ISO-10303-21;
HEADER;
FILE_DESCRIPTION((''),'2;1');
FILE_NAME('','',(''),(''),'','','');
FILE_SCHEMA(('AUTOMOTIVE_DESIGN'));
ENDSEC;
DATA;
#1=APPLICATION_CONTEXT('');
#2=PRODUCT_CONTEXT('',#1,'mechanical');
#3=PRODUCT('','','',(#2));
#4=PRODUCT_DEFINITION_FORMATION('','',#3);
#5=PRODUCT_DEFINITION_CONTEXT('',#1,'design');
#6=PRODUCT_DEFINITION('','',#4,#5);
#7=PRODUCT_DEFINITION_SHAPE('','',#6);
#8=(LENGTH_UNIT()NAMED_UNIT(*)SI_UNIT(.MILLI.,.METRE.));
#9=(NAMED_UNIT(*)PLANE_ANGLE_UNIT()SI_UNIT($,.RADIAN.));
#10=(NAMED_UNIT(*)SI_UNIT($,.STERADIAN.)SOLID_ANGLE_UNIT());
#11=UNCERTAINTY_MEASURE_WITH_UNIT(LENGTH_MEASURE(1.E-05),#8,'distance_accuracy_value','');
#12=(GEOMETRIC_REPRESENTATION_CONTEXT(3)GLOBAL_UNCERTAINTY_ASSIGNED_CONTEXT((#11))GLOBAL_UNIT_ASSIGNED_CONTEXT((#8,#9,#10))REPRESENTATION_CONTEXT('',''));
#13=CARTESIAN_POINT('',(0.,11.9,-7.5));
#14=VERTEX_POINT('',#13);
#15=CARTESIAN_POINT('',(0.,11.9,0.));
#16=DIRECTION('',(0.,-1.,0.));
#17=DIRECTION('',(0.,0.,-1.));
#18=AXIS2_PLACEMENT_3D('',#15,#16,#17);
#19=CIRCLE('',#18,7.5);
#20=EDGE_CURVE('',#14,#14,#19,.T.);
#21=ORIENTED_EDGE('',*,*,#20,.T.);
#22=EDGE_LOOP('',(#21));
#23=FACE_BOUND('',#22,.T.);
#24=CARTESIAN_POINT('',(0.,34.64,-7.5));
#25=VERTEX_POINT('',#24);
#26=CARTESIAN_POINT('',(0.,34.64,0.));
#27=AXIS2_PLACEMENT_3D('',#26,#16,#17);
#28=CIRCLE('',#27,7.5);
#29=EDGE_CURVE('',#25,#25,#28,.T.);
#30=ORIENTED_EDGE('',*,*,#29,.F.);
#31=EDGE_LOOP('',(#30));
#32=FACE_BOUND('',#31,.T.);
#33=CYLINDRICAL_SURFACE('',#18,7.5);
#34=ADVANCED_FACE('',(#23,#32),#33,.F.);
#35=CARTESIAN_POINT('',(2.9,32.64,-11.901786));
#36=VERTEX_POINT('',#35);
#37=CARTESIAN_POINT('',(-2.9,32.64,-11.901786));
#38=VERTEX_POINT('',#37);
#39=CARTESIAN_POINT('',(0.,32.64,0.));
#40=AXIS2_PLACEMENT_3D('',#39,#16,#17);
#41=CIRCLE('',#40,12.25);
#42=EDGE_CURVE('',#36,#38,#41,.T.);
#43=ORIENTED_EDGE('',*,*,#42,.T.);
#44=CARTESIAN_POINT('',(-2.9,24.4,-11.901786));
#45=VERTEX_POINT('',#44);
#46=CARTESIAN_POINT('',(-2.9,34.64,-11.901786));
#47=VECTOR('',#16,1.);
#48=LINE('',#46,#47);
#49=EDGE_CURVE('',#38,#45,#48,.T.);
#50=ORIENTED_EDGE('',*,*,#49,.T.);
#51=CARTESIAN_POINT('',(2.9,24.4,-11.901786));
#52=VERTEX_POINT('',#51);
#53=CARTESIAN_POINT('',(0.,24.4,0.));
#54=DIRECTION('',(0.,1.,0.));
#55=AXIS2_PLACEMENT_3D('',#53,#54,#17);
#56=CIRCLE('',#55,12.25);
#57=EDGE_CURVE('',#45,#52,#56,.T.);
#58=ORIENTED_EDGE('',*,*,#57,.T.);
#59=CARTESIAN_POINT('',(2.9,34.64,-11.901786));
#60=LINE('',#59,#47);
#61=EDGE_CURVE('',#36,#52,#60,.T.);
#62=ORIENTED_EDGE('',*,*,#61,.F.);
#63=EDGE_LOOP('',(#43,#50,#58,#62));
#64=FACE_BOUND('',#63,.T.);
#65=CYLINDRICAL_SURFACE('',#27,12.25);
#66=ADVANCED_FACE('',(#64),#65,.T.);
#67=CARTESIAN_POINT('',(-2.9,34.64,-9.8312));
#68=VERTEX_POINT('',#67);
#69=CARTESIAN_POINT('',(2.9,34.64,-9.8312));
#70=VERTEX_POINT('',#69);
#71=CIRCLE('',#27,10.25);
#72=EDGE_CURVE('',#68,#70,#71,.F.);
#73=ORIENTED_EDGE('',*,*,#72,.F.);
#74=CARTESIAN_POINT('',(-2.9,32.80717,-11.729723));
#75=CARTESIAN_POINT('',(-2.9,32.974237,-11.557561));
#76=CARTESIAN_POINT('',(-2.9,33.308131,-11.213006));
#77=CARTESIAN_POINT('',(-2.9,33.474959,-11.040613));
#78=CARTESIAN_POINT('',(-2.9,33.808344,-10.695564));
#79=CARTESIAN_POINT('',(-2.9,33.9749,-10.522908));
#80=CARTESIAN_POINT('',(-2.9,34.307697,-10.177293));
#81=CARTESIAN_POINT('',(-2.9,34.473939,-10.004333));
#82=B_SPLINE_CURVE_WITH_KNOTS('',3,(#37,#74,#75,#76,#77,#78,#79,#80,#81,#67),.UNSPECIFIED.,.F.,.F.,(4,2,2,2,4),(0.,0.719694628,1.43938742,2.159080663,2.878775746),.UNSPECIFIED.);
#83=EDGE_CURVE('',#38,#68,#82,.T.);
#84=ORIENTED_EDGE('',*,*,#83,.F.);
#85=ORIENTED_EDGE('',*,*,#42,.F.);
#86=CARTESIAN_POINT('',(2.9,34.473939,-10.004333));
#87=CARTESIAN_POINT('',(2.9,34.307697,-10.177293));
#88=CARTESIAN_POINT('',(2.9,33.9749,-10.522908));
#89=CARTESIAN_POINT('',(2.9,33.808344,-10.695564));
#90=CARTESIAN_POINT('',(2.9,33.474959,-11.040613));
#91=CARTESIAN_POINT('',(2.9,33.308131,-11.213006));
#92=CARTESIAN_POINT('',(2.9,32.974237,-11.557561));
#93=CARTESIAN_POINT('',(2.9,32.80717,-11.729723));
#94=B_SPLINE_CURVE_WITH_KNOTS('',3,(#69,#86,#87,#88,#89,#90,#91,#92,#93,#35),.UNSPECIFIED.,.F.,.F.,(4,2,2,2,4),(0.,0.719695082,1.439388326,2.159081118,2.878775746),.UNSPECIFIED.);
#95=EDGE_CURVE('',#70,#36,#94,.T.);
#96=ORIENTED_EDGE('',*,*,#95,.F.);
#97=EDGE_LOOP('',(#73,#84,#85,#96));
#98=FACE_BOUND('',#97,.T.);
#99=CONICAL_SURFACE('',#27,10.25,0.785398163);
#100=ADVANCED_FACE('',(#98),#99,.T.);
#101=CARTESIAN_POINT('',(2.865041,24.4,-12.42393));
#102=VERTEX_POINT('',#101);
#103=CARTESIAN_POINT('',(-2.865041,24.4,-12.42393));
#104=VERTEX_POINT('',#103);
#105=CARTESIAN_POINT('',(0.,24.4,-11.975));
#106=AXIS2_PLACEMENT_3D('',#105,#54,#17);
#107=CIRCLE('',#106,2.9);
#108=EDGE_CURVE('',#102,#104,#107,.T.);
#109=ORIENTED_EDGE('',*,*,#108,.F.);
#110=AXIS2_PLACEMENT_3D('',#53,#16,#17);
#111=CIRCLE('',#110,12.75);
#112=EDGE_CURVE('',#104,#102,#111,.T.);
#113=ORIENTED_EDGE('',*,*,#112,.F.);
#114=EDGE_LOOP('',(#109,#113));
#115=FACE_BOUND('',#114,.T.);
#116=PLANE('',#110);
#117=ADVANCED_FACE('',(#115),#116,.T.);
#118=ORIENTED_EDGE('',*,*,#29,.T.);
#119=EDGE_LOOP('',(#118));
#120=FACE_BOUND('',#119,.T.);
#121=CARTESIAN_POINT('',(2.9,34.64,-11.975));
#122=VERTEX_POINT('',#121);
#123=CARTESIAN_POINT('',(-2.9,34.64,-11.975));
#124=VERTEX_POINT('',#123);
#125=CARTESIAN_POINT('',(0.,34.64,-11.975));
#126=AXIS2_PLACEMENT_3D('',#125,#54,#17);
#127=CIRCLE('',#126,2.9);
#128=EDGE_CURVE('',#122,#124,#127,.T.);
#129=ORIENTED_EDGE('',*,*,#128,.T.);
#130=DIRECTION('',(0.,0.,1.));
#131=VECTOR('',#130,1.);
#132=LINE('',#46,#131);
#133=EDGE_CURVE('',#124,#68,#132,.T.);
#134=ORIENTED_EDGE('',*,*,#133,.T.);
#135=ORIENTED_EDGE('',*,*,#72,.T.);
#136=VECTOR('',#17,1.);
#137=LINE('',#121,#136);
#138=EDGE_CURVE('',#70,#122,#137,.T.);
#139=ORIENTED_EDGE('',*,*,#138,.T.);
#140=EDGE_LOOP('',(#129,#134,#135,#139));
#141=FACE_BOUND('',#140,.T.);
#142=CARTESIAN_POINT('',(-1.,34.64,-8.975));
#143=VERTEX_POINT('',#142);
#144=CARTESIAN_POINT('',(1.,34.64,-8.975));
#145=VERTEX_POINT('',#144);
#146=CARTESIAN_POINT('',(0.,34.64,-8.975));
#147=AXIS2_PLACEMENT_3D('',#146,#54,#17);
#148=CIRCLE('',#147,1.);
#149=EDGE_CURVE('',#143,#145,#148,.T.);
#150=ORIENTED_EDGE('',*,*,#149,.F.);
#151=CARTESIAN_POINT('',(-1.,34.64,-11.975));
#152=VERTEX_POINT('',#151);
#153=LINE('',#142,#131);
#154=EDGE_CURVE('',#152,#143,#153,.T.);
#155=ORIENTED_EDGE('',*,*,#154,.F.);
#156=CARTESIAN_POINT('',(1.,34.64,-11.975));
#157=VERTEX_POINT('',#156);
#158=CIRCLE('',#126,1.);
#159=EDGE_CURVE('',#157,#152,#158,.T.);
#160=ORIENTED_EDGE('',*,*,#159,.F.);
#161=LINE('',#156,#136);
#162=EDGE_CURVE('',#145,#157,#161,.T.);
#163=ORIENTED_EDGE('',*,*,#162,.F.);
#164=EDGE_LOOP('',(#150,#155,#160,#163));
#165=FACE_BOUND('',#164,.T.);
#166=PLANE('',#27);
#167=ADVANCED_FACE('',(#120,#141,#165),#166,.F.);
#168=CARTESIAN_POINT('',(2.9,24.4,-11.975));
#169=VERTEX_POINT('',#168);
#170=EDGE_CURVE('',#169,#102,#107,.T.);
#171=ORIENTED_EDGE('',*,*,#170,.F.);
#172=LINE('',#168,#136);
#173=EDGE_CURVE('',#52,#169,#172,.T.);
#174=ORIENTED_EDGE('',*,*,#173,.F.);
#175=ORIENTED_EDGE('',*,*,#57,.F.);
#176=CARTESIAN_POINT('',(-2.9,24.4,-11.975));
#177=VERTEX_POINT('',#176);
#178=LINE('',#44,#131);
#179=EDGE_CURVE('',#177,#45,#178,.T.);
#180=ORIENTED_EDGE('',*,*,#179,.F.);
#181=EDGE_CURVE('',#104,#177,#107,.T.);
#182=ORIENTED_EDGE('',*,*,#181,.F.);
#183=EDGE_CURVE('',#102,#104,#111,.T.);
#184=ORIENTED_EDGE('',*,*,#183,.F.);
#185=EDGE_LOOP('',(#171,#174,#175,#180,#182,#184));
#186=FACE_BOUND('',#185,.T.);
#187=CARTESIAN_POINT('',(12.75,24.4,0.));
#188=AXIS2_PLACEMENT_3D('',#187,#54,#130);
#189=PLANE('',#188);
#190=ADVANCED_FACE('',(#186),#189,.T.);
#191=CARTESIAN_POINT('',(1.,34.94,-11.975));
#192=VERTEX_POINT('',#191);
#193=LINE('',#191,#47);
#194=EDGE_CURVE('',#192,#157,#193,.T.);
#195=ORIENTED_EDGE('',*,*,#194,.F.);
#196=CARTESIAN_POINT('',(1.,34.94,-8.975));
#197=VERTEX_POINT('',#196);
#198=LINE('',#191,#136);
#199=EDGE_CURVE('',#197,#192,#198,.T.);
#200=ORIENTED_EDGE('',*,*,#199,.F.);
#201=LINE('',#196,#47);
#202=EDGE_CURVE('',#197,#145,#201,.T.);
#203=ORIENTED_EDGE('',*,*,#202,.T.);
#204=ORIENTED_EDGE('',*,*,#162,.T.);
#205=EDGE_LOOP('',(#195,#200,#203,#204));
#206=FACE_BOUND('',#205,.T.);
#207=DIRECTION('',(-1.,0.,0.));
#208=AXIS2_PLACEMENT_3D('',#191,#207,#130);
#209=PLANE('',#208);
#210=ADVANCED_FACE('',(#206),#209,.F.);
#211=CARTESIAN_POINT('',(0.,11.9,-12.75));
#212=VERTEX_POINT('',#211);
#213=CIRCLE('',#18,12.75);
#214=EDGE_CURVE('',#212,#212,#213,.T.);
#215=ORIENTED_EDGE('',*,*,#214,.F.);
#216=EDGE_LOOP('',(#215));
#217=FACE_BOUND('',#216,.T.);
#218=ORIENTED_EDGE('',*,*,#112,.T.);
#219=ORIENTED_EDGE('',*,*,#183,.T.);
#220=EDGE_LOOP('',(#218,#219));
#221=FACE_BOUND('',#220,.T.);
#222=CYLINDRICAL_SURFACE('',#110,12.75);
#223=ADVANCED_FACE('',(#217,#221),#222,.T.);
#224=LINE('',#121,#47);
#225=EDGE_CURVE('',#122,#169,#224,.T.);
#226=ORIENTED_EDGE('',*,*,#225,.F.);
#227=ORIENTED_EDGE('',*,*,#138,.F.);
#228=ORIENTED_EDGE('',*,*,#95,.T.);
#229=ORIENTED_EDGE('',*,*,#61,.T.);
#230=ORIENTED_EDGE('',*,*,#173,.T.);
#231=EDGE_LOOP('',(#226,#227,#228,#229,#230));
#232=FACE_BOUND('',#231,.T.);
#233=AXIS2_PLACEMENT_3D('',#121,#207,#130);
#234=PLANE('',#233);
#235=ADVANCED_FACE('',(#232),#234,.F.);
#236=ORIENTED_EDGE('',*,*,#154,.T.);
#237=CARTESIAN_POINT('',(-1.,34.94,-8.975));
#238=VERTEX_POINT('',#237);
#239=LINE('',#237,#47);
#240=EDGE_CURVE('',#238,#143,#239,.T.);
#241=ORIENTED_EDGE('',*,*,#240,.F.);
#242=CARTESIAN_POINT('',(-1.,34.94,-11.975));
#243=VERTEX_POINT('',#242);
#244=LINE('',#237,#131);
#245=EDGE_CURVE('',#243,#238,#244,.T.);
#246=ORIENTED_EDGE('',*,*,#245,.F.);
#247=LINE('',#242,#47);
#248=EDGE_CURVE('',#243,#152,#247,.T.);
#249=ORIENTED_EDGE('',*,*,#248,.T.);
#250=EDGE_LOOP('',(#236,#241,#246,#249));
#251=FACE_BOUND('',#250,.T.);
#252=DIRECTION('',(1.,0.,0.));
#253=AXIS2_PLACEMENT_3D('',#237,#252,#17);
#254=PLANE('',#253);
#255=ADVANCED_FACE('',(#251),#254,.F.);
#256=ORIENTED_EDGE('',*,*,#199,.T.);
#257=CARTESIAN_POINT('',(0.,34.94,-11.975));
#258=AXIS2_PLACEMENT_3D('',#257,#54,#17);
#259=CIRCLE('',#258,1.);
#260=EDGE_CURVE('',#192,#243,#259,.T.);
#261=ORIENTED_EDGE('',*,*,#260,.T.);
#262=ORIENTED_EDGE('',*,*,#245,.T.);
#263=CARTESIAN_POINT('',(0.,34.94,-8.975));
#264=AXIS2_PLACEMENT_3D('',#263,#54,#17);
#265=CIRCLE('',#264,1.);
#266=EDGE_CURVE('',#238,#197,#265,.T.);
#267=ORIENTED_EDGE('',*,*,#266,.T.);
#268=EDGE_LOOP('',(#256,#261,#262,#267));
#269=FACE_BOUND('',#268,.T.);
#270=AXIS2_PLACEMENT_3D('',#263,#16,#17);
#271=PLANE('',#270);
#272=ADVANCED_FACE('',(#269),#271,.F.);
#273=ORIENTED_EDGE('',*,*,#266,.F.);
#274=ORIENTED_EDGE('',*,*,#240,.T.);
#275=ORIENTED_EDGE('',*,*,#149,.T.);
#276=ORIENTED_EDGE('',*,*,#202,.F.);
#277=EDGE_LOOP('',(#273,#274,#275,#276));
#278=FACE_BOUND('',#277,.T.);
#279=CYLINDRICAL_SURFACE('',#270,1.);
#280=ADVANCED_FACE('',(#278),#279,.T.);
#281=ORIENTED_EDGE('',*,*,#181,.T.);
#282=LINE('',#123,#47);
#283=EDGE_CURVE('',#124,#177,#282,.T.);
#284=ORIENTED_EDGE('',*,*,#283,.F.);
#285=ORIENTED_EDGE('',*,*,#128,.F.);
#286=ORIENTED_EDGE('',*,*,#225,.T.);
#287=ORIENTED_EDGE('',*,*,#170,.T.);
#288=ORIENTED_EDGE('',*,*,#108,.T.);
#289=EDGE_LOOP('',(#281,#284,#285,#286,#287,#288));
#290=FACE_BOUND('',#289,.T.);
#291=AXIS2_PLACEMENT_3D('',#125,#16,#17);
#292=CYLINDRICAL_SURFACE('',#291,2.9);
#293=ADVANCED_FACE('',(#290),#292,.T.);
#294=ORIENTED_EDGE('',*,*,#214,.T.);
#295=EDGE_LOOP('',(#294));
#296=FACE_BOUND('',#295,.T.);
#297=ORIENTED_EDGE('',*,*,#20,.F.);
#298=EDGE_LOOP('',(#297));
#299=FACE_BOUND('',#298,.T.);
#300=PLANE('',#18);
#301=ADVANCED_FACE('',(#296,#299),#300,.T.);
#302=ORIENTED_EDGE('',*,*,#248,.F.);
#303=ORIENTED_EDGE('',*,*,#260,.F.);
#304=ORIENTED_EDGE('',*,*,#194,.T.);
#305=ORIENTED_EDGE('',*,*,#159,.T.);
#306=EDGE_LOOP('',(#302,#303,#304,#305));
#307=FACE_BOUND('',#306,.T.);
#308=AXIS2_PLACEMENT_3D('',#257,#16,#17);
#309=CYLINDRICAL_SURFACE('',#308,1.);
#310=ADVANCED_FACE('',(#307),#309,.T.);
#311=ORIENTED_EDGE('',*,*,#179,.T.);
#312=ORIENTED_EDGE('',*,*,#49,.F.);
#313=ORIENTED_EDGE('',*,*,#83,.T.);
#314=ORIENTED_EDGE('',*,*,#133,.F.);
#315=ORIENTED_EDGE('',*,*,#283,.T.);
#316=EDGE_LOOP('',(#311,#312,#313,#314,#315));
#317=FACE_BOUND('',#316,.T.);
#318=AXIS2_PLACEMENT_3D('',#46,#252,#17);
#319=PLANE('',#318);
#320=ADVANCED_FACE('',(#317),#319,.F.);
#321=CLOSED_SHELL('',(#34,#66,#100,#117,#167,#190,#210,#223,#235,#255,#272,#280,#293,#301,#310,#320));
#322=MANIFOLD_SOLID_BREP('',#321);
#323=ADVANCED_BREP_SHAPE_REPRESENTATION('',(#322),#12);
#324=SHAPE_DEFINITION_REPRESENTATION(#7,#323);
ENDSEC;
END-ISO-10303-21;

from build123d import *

# Parameters (mm, degrees)
SKETCH1_W                      = 12.75
SKETCH1_H                      = 12.5
BOSS_EXTRUDE1_DEPTH            = 10.24
BOSS_EXTRUDE2_DEPTH            = 0.3
F_15_0_15_DIAMETER_HOLE1_D     = 15
F_15_0_15_DIAMETER_HOLE1_DEPTH = 23.04
CHAMFER1_SIZE                  = 2


with BuildPart() as part:
    # Sketch1 → Revolve1 (revolve)
    with BuildSketch(Plane.XY, mode=Mode.PRIVATE) as revolve1_sk:
        with Locations((6.375, 18.15)):
            Rectangle(SKETCH1_W, SKETCH1_H)
    revolve(revolve1_sk.sketch.rotate(Axis((0, 24.4, 0), (0, -1, 0)), 270), axis=Axis((0, 24.4, 0), (0, -1, 0)))

    # Sketch2 → Boss-Extrude1 (add)
    with BuildSketch(Plane(origin=(0, 24.4, 0), x_dir=(-1, 0, 0), z_dir=(0, 1, 0))):
        with BuildLine():
            Line((2.9, -11.90178558), (2.9, -11.975))
            ThreePointArc((2.9, -11.975), (0, -14.875), (-2.9, -11.975))
            Line((-2.9, -11.975), (-2.9, -11.90178558))
            ThreePointArc((-2.9, -11.90178558), (0, 12.25), (2.9, -11.90178558))
        make_face()
    extrude(amount=BOSS_EXTRUDE1_DEPTH)

    # Sketch3 → Boss-Extrude2 (add)
    with BuildSketch(Plane(origin=(0, 34.64, 0), x_dir=(-1, 0, 0), z_dir=(0, 1, 0))):
        with BuildLine():
            Line((1, -8.975), (1, -11.975))
            ThreePointArc((1, -11.975), (0, -12.975), (-1, -11.975))
            Line((-1, -11.975), (-1, -8.975))
            ThreePointArc((-1, -8.975), (0, -7.975), (1, -8.975))
        make_face()
    extrude(amount=BOSS_EXTRUDE2_DEPTH)

    # Ø15.0 (15) Diameter Hole1
    with Locations(Plane(origin=(0, 11.9, 0), x_dir=(-1, 0, 0), z_dir=(0, -1, 0))):
        with Locations((0, 0)):
            Hole(F_15_0_15_DIAMETER_HOLE1_D / 2, depth=F_15_0_15_DIAMETER_HOLE1_DEPTH)

    # Chamfer1
    chamfer1_edges = [part.edges().sort_by_distance(p)[0] for p in [
        (0, 34.64, 12.25),
    ]]
    chamfer(chamfer1_edges, length=CHAMFER1_SIZE)


solid = part.part
